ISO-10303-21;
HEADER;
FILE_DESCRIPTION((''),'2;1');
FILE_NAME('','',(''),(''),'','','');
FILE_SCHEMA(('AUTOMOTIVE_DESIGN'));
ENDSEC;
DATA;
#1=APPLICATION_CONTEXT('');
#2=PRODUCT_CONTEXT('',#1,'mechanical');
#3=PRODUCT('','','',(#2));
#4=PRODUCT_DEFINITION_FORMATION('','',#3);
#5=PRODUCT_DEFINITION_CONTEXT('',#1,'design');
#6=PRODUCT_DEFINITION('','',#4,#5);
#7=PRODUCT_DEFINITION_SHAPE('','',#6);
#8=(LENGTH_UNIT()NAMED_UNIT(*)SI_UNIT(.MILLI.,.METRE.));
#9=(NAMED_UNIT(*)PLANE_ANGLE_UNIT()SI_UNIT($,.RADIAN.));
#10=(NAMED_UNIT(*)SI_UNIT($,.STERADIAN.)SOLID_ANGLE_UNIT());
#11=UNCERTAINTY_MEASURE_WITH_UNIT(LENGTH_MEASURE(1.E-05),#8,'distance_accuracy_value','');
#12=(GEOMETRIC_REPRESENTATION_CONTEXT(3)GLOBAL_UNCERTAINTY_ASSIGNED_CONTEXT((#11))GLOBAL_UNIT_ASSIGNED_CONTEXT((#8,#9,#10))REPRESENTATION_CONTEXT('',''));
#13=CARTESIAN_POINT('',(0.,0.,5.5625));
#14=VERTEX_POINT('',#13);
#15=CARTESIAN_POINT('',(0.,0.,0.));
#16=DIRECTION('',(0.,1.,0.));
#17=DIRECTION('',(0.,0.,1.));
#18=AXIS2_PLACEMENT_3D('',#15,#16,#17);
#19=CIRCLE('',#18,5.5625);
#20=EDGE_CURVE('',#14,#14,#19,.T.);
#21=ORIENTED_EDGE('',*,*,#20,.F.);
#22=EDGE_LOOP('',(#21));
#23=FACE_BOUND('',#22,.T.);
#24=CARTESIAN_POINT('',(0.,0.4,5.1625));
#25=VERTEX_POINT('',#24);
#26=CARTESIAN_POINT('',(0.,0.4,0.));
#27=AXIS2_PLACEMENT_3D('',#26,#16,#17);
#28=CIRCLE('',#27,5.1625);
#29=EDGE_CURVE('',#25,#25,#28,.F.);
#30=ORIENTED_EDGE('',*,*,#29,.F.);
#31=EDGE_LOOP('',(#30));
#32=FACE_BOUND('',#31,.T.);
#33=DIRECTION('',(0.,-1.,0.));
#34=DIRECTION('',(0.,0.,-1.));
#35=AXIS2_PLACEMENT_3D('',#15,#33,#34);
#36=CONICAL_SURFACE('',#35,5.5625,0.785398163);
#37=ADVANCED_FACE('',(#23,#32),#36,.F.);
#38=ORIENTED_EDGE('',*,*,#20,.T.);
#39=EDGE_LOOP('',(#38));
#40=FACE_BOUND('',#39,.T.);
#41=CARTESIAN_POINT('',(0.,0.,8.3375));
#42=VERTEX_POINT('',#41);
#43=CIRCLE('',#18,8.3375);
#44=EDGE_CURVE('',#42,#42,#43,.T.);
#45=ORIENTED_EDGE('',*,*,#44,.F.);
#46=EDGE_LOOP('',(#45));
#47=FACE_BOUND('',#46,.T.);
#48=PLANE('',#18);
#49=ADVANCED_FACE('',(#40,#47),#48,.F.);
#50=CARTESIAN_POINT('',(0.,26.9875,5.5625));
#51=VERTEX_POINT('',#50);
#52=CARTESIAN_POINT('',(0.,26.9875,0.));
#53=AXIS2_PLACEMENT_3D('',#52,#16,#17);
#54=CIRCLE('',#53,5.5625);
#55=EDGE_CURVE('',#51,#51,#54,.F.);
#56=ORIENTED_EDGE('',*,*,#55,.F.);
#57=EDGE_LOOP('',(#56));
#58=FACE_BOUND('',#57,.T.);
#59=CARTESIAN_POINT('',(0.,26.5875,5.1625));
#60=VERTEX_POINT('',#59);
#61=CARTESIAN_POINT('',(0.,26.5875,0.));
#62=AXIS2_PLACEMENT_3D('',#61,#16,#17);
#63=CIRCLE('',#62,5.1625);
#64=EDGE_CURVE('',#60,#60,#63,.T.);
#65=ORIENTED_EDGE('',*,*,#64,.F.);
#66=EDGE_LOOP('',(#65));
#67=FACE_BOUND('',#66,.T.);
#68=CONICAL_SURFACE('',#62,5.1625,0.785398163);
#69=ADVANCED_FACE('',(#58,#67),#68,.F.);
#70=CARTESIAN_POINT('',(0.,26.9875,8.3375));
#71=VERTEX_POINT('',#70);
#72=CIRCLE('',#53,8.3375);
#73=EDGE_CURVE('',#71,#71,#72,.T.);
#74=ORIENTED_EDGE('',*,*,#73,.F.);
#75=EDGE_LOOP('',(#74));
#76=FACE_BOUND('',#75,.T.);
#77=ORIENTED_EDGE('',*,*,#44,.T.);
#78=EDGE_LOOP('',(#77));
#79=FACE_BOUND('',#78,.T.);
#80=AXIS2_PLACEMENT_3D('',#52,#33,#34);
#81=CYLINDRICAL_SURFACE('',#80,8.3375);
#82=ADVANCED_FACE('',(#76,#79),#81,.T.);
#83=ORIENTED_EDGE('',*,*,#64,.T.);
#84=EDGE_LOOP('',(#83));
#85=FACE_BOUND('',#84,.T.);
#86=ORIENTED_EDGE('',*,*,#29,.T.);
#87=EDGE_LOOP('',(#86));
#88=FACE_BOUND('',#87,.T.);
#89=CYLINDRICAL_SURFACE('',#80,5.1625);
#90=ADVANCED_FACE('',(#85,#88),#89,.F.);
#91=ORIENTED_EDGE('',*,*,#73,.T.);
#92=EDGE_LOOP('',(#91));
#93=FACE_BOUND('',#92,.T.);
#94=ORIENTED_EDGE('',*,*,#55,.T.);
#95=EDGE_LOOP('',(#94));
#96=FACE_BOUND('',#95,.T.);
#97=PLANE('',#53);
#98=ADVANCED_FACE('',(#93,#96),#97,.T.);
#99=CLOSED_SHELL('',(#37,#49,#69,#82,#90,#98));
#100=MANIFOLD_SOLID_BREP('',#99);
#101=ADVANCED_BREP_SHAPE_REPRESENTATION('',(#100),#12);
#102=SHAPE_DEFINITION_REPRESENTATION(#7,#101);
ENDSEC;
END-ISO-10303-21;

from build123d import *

# Parameters (mm, degrees)
SKETCH1_R           = 8.3375
SKETCH1_R_2         = 5.1625
BOSS_EXTRUDE1_DEPTH = 26.9875
CHAMFER1_SIZE       = 0.4


with BuildPart() as part:
    # Sketch1 → Boss-Extrude1 (new body)
    with BuildSketch(Plane(origin=(0, 0, 0), x_dir=(1, 0, 0), z_dir=(0, 1, 0))):
        with Locations(Location((0, 0, 0), (0, 0, 270))):
            Circle(SKETCH1_R)
        with Locations(Location((0, 0, 0), (0, 0, 270))):
            Circle(SKETCH1_R_2, mode=Mode.SUBTRACT)
    extrude(amount=BOSS_EXTRUDE1_DEPTH)

    # Chamfer1
    chamfer1_edges = [part.edges().sort_by_distance(p)[0] for p in [
        (0, 0, -5.1625),
        (0, 26.9875, -5.1625),
    ]]
    chamfer(chamfer1_edges, length=CHAMFER1_SIZE)


solid = part.part
